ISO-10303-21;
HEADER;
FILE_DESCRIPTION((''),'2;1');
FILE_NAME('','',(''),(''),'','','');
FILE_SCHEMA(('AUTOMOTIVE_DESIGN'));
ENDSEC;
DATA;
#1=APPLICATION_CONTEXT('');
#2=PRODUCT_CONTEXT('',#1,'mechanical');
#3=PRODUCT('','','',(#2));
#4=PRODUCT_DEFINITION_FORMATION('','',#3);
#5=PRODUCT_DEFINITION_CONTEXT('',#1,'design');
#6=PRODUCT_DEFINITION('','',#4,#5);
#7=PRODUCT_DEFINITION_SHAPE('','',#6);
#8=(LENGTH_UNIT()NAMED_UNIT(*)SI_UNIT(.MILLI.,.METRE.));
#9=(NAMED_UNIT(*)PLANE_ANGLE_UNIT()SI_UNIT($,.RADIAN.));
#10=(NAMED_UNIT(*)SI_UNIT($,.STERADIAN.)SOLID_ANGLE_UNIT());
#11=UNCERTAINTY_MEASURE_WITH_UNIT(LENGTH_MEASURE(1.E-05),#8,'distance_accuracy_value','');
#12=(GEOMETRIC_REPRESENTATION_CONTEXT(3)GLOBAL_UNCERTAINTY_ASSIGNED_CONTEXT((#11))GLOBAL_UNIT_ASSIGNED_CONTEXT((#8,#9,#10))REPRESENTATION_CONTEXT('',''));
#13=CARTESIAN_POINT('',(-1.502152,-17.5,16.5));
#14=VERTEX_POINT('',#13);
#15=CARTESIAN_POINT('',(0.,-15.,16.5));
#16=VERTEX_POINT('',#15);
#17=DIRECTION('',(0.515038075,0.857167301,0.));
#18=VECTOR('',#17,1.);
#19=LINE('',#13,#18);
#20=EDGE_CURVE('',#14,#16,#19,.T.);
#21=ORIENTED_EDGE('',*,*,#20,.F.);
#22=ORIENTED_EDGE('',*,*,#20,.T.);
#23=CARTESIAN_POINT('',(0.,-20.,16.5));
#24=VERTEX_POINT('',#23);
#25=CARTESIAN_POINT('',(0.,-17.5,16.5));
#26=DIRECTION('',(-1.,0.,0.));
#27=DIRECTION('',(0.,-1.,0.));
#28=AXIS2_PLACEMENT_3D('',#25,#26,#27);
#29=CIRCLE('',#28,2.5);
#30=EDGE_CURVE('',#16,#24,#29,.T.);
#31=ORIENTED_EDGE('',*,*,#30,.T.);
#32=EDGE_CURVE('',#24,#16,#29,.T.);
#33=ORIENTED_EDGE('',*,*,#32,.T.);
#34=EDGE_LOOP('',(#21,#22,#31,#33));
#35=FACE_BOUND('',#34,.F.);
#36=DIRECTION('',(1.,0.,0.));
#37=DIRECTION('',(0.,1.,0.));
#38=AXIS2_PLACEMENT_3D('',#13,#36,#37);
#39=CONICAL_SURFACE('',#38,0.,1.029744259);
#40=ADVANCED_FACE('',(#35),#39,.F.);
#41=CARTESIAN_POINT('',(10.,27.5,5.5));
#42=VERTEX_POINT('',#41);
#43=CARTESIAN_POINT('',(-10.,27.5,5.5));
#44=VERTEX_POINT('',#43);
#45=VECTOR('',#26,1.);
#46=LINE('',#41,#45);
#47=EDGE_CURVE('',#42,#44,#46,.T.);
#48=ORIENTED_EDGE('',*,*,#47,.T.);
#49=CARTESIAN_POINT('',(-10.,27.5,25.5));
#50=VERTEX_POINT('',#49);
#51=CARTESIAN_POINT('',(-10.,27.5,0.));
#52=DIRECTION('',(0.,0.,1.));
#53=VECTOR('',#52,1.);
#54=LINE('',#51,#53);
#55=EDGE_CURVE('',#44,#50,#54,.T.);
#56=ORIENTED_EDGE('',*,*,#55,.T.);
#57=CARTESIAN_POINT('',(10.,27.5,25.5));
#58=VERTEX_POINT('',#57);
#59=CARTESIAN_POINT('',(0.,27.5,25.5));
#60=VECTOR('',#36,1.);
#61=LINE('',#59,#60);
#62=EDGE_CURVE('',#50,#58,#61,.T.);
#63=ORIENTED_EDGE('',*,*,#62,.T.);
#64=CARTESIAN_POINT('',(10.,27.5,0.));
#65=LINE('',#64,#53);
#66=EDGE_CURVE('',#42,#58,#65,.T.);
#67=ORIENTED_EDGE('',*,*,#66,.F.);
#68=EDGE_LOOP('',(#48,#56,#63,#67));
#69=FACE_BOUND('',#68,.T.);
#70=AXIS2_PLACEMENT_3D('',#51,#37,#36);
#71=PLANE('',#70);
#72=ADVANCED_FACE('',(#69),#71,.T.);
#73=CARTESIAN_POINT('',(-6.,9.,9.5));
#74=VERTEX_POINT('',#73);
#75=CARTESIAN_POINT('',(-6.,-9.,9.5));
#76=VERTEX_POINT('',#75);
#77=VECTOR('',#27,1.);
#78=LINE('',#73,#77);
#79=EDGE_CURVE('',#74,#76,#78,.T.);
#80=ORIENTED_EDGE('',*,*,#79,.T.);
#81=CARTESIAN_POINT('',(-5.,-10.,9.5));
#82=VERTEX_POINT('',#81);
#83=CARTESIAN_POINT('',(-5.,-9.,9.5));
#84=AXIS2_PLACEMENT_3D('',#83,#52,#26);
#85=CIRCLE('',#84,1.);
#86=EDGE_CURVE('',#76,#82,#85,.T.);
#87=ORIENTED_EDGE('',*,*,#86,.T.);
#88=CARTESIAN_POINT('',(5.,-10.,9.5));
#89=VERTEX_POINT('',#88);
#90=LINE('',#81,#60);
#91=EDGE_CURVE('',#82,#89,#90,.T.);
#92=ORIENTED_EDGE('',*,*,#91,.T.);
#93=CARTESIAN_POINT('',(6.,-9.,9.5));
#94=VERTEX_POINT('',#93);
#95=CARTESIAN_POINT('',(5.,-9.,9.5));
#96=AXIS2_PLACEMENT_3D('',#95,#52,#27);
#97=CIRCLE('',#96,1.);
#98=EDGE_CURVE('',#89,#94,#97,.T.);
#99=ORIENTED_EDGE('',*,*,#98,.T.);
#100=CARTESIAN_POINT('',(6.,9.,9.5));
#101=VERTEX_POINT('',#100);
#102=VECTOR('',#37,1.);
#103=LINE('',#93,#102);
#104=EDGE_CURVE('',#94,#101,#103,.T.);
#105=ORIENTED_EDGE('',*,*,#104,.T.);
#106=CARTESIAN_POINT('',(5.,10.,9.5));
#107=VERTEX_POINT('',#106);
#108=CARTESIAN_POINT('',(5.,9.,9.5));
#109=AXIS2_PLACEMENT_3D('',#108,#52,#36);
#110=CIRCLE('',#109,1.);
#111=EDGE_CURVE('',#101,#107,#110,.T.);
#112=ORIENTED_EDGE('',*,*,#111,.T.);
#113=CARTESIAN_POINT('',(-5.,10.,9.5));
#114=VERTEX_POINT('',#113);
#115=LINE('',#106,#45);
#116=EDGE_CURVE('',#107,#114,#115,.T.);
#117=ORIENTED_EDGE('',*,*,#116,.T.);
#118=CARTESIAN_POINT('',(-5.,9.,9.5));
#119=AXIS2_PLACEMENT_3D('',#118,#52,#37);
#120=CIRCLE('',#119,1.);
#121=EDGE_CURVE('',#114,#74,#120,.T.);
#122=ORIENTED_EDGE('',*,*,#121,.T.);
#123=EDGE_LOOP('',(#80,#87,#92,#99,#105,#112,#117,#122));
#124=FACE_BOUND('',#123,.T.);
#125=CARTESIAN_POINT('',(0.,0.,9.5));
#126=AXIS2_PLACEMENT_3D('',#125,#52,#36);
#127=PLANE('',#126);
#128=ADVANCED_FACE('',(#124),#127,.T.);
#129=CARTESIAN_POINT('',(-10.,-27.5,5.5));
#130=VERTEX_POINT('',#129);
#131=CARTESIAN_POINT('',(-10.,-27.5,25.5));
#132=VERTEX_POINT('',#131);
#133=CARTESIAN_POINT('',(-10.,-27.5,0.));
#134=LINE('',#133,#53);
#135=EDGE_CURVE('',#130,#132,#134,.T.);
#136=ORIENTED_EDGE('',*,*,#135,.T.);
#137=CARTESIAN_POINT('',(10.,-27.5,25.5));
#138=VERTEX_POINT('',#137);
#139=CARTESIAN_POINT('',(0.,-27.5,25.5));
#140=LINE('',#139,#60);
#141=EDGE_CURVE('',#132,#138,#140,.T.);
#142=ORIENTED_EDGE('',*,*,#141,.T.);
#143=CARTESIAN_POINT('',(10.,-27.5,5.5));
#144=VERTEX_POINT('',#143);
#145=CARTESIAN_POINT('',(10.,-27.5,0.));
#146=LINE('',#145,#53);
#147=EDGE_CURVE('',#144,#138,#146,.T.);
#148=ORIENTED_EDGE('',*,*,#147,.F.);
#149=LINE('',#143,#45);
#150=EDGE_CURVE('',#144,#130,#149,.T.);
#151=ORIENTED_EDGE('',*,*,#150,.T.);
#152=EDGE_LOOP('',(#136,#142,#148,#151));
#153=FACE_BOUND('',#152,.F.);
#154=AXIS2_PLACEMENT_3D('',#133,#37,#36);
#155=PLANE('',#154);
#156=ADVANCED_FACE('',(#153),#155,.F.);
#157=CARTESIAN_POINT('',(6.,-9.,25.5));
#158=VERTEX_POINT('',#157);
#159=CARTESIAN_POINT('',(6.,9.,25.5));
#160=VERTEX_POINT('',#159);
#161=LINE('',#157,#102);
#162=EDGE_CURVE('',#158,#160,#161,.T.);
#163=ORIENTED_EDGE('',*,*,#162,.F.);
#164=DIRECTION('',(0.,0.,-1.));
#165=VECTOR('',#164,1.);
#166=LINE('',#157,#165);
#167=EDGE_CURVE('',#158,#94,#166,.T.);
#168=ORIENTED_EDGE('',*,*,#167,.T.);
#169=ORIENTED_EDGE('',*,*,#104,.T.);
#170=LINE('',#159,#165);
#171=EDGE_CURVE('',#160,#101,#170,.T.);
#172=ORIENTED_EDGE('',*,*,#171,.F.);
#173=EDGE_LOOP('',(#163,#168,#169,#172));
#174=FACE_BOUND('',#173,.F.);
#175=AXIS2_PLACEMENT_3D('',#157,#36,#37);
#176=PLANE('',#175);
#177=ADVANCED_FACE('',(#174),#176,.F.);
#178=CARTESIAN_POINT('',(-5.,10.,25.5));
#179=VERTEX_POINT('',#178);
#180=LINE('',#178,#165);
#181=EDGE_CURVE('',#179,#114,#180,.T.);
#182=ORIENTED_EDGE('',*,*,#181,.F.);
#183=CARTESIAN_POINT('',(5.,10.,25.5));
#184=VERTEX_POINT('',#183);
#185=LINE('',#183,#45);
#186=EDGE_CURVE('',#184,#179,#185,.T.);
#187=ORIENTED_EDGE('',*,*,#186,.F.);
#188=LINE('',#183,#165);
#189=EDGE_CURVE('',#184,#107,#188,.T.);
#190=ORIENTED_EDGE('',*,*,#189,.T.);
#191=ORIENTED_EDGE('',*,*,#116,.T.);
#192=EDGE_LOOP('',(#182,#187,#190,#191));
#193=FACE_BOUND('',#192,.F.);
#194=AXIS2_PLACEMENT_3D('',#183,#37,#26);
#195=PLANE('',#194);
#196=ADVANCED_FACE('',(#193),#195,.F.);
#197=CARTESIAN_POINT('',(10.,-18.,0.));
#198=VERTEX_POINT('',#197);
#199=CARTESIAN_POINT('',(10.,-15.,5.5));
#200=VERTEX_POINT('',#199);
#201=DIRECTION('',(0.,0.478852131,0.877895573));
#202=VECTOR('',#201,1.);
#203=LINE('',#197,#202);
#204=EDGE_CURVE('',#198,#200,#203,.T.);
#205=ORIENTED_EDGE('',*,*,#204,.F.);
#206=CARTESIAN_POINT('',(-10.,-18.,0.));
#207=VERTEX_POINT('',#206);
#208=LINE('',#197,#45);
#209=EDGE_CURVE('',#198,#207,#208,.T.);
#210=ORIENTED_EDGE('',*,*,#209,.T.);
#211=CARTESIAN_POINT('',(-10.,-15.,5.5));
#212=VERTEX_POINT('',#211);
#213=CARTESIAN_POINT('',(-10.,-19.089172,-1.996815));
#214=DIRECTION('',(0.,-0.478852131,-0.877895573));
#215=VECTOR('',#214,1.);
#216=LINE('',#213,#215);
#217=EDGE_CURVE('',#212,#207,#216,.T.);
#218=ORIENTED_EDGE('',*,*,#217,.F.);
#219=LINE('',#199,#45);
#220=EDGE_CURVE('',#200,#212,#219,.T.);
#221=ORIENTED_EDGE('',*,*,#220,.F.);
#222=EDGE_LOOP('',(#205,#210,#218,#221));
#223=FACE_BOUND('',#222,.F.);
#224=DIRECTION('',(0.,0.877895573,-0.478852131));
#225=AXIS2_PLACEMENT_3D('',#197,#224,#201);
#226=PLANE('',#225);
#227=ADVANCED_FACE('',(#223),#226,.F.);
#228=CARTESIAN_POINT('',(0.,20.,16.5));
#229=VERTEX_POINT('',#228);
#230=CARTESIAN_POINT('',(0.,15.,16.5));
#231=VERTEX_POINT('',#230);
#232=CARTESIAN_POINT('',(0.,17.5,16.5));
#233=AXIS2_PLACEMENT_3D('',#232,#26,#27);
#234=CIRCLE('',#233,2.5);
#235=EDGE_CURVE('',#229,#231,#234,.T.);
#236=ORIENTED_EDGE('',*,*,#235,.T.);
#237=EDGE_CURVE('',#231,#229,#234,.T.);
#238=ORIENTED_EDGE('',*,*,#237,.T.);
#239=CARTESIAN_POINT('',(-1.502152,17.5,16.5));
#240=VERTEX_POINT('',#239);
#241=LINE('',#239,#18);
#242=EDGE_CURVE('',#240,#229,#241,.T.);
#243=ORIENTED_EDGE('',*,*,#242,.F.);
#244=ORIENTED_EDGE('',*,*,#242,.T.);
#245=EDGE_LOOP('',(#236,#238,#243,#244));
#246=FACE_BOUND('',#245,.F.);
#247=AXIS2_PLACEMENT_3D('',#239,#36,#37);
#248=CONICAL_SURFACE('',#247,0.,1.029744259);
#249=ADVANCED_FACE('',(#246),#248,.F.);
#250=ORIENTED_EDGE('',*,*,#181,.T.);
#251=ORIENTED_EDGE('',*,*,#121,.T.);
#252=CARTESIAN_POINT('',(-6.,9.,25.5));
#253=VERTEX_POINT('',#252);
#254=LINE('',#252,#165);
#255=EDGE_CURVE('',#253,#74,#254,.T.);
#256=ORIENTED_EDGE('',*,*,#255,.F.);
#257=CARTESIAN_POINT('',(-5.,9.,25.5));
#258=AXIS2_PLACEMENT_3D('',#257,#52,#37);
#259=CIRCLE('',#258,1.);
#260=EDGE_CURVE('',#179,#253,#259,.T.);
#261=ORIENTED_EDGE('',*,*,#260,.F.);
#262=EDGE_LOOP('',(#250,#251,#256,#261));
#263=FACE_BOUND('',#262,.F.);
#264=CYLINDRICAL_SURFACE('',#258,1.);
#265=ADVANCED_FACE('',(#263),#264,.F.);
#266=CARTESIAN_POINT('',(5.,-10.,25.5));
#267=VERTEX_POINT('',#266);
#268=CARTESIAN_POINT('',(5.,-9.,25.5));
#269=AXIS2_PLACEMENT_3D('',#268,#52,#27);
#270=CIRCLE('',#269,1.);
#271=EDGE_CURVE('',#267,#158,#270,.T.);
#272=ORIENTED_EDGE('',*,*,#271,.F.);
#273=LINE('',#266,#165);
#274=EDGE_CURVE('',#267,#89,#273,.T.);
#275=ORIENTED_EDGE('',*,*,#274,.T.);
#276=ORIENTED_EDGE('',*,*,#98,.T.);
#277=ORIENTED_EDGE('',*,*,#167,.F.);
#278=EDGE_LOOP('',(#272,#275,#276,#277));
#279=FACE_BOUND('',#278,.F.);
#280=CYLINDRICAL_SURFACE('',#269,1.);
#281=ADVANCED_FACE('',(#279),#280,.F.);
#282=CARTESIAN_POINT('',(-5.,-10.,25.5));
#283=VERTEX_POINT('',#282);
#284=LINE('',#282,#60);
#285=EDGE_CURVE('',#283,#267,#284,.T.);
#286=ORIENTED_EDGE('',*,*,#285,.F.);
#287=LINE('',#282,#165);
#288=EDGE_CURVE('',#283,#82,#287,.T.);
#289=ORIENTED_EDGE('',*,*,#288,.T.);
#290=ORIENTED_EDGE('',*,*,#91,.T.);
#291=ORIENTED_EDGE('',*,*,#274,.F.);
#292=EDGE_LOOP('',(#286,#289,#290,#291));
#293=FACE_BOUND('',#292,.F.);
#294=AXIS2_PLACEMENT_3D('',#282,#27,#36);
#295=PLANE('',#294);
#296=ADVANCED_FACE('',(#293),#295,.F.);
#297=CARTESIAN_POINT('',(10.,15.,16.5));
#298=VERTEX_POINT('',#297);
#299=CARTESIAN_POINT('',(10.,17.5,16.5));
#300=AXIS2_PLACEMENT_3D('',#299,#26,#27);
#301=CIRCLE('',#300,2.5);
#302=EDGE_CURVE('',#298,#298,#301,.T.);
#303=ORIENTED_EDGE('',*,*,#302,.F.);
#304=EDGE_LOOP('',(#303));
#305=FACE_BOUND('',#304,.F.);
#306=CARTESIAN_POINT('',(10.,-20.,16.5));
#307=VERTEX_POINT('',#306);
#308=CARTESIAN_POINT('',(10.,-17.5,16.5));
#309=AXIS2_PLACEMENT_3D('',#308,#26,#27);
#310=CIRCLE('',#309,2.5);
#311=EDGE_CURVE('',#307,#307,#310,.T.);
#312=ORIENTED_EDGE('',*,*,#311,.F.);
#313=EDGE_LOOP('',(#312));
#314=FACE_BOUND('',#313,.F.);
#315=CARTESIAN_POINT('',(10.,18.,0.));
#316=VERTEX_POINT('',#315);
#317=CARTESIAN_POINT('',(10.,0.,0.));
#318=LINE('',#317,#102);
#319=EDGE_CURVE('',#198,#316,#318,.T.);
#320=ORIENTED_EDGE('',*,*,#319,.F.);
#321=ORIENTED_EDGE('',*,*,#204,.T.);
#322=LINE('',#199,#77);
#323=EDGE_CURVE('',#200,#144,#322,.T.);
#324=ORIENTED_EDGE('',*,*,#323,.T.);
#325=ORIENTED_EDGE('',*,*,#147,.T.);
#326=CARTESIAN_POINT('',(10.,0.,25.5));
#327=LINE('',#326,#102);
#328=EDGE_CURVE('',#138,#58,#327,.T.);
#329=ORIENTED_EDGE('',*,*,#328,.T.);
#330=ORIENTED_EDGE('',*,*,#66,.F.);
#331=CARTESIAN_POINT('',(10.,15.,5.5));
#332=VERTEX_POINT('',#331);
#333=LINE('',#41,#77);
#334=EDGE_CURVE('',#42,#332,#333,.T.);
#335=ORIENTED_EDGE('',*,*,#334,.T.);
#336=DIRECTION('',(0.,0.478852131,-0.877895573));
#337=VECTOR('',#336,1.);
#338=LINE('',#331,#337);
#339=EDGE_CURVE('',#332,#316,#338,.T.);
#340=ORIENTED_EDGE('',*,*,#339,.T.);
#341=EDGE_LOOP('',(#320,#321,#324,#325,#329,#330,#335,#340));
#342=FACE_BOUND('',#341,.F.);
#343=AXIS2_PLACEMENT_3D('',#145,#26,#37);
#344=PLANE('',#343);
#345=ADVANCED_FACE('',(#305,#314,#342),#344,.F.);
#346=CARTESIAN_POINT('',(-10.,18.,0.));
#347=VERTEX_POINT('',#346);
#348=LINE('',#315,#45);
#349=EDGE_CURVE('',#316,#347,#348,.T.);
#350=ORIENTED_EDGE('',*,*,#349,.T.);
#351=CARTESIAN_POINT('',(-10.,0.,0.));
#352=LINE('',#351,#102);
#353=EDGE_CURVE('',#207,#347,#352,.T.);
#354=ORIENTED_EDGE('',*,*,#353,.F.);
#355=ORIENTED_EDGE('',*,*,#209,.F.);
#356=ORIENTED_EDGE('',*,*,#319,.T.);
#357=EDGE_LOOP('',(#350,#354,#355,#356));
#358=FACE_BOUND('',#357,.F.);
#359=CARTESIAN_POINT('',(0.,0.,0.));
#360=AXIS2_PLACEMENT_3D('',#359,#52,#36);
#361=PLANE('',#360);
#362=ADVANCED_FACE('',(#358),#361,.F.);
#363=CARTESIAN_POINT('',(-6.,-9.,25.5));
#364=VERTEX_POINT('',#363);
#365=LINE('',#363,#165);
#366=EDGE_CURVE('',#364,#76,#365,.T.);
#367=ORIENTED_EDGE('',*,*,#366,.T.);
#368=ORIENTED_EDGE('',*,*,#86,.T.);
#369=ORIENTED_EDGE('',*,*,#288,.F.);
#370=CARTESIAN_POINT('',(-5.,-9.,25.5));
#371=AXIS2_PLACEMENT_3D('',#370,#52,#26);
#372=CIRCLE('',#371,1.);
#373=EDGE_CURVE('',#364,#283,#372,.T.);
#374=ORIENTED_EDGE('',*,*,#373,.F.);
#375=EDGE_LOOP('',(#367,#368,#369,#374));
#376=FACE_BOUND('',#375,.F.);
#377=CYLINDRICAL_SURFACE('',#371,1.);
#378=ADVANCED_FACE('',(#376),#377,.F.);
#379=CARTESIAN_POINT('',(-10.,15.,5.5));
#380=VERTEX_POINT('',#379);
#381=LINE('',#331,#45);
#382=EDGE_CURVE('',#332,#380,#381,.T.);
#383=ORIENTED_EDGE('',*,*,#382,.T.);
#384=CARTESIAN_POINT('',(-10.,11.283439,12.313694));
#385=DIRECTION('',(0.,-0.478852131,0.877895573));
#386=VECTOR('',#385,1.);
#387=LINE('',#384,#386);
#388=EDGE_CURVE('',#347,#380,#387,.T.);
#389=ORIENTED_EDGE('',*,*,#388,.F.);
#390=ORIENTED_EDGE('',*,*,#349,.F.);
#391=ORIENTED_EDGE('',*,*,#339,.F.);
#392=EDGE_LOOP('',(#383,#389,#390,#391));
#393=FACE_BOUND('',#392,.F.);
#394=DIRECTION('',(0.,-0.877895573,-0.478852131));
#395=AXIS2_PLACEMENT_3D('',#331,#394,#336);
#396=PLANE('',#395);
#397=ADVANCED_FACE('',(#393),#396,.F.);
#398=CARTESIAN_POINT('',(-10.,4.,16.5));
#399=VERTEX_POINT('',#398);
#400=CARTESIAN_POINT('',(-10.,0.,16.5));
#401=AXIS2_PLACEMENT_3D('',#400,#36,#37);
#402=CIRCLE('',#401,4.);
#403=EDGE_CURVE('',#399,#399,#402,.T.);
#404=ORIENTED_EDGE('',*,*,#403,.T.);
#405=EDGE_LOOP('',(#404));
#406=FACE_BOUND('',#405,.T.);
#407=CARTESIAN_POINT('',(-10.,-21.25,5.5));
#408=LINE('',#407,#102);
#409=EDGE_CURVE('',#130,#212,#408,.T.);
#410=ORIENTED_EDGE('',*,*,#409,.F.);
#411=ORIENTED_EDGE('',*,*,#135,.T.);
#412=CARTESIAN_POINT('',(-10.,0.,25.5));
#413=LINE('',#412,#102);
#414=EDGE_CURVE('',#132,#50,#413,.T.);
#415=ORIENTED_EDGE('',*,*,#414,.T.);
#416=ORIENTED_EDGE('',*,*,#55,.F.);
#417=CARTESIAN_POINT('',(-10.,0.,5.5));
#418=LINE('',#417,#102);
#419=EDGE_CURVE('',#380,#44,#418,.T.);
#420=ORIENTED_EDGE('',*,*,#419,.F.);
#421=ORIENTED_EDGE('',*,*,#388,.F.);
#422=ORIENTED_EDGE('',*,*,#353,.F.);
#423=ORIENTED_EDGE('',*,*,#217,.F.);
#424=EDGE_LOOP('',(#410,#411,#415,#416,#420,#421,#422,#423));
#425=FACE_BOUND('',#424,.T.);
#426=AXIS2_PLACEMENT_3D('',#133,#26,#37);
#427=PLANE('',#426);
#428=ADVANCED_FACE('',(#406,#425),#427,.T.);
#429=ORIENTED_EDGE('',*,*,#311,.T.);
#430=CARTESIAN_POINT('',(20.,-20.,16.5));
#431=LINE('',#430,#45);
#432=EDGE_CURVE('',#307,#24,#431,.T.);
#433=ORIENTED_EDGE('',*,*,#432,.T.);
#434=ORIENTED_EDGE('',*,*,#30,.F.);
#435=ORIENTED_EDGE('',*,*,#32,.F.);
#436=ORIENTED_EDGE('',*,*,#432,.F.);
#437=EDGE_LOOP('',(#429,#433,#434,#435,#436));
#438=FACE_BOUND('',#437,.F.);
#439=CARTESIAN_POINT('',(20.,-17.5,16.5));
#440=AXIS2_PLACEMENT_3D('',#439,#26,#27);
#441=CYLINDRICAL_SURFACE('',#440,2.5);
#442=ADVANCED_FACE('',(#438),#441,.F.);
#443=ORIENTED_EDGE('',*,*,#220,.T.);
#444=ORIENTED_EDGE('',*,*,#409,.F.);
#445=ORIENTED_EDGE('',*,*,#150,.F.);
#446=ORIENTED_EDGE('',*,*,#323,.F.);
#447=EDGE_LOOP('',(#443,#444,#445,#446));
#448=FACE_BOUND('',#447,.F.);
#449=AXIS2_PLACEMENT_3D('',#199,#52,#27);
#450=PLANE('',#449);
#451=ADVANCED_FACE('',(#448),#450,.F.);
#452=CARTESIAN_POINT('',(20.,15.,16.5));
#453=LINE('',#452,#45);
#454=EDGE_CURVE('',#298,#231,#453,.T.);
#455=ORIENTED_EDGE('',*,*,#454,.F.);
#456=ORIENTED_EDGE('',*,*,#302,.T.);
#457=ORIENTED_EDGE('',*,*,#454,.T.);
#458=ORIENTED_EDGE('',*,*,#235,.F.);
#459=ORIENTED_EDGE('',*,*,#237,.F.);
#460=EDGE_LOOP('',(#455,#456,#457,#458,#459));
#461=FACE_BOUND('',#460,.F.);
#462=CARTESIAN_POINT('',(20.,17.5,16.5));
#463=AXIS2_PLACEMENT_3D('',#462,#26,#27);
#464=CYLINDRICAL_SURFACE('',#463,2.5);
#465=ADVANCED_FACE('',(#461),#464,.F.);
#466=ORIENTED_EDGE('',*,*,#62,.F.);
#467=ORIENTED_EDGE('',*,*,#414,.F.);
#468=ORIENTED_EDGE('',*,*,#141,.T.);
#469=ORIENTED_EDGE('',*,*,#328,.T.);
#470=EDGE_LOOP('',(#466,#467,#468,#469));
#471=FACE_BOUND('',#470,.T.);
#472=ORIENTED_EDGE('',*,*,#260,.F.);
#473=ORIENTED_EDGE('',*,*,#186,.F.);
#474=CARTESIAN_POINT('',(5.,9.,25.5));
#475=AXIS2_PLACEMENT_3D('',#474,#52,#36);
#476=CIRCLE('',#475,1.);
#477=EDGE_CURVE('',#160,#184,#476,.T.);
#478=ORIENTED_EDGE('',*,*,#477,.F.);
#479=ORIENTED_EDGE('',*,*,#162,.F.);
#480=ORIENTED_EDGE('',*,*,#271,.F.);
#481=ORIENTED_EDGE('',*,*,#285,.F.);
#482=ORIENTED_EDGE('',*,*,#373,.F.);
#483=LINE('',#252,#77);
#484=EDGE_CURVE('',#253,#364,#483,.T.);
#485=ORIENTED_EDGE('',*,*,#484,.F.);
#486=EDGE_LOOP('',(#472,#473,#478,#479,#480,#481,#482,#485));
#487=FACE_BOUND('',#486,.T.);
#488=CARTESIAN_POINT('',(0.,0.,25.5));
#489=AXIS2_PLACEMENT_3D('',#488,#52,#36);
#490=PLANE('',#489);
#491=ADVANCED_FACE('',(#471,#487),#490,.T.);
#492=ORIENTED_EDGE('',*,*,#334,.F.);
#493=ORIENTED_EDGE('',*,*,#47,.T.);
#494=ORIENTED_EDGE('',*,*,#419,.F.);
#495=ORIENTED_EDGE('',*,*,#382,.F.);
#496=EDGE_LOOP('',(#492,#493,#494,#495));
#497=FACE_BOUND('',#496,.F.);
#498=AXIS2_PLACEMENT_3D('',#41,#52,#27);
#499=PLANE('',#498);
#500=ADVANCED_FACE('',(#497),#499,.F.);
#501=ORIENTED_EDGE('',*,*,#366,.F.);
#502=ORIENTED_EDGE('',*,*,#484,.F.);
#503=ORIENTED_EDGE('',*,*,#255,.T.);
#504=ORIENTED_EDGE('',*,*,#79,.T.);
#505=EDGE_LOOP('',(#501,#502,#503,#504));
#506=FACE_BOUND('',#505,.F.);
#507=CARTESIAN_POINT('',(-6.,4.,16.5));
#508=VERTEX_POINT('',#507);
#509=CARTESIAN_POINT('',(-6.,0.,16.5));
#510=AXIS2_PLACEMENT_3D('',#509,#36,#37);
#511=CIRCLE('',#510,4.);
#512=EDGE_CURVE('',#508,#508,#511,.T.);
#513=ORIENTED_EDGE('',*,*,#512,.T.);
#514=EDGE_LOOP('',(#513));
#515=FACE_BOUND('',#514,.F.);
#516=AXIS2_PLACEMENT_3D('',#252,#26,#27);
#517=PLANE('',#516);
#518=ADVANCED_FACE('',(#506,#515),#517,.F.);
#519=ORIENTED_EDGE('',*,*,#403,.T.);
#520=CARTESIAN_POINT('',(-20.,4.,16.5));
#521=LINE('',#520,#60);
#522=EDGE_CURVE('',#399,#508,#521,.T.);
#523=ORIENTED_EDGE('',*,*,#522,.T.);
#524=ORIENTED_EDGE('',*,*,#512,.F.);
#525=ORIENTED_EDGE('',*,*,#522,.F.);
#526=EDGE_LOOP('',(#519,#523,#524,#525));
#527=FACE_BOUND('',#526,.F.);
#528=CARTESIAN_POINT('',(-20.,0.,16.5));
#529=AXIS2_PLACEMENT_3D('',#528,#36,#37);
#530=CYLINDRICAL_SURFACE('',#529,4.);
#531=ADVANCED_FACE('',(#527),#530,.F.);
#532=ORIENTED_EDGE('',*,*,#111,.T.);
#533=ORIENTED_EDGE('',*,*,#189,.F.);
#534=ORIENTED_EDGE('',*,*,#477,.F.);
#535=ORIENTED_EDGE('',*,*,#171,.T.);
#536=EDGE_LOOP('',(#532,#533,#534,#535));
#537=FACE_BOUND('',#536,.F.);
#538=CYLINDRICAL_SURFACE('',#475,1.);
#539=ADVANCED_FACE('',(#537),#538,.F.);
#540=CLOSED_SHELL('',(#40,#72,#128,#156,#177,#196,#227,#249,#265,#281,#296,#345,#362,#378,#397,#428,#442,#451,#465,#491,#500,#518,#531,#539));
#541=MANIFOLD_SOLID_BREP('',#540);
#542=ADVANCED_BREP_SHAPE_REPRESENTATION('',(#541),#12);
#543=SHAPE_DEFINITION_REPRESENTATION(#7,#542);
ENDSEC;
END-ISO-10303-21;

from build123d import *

# Parameters (mm, degrees)
F0_W     = 20
F0_H     = 55
F1_DEPTH = 25.5
F3_DEPTH = 16
F5_DEPTH = 25
F7_D     = 5
F7_DEPTH = 10
F7_TIP   = 1.5021515476
F9_D     = 8
F9_DEPTH = 10
F9_TIP   = 2.4034424761


with BuildPart() as f1:
    # F0 (on Top) → F1 (new body)
    with BuildSketch(Plane.XY):
        Rectangle(F0_W, F0_H)
    extrude(amount=F1_DEPTH)

    # F2 (on face) → F3 (cut)
    with BuildSketch(Plane.XY.offset(25.5)):
        with BuildLine():
            Line((5, 10), (-5, 10))
            ThreePointArc((-5, 10), (-5.7071067812, 9.7071067812), (-6, 9))
            Line((-6, 9), (-6, -9))
            ThreePointArc((-6, -9), (-5.7071067812, -9.7071067812), (-5, -10))
            Line((-5, -10), (5, -10))
            ThreePointArc((5, -10), (5.7071067812, -9.7071067812), (6, -9))
            Line((6, -9), (6, 9))
            ThreePointArc((6, 9), (5.7071067812, 9.7071067812), (5, 10))
        make_face()
    extrude(amount=-F3_DEPTH, mode=Mode.SUBTRACT)

    # F4 (on face) → F5 (cut)
    with BuildSketch(Plane.YZ.offset(10)):
        Polygon((-27.5, 0), (-18, 0), (-15, 5.5), (-27.5, 5.5), align=None)
        Polygon((27.5, 5.5), (15, 5.5), (18, 0), (27.5, 0), align=None)
    extrude(amount=-F5_DEPTH, mode=Mode.SUBTRACT)

    # F7
    with Locations(Plane.YZ.offset(10)):
        with Locations((-17.5, 16.5), (17.5, 16.5)):
            Hole(F7_D / 2, depth=F7_DEPTH)
            with Locations((0, 0, -(F7_DEPTH + F7_TIP / 2))):  # 118° drill point
                Cone(0, F7_D / 2, F7_TIP, mode=Mode.SUBTRACT)

    # F9
    with Locations(Plane(origin=(-10, 0, 0), x_dir=(0, -1, 0), z_dir=(-1, 0, 0))):
        with Locations((0, 16.5)):
            Hole(F9_D / 2, depth=F9_DEPTH)
            with Locations((0, 0, -(F9_DEPTH + F9_TIP / 2))):  # 118° drill point
                Cone(0, F9_D / 2, F9_TIP, mode=Mode.SUBTRACT)


solid = f1.part
